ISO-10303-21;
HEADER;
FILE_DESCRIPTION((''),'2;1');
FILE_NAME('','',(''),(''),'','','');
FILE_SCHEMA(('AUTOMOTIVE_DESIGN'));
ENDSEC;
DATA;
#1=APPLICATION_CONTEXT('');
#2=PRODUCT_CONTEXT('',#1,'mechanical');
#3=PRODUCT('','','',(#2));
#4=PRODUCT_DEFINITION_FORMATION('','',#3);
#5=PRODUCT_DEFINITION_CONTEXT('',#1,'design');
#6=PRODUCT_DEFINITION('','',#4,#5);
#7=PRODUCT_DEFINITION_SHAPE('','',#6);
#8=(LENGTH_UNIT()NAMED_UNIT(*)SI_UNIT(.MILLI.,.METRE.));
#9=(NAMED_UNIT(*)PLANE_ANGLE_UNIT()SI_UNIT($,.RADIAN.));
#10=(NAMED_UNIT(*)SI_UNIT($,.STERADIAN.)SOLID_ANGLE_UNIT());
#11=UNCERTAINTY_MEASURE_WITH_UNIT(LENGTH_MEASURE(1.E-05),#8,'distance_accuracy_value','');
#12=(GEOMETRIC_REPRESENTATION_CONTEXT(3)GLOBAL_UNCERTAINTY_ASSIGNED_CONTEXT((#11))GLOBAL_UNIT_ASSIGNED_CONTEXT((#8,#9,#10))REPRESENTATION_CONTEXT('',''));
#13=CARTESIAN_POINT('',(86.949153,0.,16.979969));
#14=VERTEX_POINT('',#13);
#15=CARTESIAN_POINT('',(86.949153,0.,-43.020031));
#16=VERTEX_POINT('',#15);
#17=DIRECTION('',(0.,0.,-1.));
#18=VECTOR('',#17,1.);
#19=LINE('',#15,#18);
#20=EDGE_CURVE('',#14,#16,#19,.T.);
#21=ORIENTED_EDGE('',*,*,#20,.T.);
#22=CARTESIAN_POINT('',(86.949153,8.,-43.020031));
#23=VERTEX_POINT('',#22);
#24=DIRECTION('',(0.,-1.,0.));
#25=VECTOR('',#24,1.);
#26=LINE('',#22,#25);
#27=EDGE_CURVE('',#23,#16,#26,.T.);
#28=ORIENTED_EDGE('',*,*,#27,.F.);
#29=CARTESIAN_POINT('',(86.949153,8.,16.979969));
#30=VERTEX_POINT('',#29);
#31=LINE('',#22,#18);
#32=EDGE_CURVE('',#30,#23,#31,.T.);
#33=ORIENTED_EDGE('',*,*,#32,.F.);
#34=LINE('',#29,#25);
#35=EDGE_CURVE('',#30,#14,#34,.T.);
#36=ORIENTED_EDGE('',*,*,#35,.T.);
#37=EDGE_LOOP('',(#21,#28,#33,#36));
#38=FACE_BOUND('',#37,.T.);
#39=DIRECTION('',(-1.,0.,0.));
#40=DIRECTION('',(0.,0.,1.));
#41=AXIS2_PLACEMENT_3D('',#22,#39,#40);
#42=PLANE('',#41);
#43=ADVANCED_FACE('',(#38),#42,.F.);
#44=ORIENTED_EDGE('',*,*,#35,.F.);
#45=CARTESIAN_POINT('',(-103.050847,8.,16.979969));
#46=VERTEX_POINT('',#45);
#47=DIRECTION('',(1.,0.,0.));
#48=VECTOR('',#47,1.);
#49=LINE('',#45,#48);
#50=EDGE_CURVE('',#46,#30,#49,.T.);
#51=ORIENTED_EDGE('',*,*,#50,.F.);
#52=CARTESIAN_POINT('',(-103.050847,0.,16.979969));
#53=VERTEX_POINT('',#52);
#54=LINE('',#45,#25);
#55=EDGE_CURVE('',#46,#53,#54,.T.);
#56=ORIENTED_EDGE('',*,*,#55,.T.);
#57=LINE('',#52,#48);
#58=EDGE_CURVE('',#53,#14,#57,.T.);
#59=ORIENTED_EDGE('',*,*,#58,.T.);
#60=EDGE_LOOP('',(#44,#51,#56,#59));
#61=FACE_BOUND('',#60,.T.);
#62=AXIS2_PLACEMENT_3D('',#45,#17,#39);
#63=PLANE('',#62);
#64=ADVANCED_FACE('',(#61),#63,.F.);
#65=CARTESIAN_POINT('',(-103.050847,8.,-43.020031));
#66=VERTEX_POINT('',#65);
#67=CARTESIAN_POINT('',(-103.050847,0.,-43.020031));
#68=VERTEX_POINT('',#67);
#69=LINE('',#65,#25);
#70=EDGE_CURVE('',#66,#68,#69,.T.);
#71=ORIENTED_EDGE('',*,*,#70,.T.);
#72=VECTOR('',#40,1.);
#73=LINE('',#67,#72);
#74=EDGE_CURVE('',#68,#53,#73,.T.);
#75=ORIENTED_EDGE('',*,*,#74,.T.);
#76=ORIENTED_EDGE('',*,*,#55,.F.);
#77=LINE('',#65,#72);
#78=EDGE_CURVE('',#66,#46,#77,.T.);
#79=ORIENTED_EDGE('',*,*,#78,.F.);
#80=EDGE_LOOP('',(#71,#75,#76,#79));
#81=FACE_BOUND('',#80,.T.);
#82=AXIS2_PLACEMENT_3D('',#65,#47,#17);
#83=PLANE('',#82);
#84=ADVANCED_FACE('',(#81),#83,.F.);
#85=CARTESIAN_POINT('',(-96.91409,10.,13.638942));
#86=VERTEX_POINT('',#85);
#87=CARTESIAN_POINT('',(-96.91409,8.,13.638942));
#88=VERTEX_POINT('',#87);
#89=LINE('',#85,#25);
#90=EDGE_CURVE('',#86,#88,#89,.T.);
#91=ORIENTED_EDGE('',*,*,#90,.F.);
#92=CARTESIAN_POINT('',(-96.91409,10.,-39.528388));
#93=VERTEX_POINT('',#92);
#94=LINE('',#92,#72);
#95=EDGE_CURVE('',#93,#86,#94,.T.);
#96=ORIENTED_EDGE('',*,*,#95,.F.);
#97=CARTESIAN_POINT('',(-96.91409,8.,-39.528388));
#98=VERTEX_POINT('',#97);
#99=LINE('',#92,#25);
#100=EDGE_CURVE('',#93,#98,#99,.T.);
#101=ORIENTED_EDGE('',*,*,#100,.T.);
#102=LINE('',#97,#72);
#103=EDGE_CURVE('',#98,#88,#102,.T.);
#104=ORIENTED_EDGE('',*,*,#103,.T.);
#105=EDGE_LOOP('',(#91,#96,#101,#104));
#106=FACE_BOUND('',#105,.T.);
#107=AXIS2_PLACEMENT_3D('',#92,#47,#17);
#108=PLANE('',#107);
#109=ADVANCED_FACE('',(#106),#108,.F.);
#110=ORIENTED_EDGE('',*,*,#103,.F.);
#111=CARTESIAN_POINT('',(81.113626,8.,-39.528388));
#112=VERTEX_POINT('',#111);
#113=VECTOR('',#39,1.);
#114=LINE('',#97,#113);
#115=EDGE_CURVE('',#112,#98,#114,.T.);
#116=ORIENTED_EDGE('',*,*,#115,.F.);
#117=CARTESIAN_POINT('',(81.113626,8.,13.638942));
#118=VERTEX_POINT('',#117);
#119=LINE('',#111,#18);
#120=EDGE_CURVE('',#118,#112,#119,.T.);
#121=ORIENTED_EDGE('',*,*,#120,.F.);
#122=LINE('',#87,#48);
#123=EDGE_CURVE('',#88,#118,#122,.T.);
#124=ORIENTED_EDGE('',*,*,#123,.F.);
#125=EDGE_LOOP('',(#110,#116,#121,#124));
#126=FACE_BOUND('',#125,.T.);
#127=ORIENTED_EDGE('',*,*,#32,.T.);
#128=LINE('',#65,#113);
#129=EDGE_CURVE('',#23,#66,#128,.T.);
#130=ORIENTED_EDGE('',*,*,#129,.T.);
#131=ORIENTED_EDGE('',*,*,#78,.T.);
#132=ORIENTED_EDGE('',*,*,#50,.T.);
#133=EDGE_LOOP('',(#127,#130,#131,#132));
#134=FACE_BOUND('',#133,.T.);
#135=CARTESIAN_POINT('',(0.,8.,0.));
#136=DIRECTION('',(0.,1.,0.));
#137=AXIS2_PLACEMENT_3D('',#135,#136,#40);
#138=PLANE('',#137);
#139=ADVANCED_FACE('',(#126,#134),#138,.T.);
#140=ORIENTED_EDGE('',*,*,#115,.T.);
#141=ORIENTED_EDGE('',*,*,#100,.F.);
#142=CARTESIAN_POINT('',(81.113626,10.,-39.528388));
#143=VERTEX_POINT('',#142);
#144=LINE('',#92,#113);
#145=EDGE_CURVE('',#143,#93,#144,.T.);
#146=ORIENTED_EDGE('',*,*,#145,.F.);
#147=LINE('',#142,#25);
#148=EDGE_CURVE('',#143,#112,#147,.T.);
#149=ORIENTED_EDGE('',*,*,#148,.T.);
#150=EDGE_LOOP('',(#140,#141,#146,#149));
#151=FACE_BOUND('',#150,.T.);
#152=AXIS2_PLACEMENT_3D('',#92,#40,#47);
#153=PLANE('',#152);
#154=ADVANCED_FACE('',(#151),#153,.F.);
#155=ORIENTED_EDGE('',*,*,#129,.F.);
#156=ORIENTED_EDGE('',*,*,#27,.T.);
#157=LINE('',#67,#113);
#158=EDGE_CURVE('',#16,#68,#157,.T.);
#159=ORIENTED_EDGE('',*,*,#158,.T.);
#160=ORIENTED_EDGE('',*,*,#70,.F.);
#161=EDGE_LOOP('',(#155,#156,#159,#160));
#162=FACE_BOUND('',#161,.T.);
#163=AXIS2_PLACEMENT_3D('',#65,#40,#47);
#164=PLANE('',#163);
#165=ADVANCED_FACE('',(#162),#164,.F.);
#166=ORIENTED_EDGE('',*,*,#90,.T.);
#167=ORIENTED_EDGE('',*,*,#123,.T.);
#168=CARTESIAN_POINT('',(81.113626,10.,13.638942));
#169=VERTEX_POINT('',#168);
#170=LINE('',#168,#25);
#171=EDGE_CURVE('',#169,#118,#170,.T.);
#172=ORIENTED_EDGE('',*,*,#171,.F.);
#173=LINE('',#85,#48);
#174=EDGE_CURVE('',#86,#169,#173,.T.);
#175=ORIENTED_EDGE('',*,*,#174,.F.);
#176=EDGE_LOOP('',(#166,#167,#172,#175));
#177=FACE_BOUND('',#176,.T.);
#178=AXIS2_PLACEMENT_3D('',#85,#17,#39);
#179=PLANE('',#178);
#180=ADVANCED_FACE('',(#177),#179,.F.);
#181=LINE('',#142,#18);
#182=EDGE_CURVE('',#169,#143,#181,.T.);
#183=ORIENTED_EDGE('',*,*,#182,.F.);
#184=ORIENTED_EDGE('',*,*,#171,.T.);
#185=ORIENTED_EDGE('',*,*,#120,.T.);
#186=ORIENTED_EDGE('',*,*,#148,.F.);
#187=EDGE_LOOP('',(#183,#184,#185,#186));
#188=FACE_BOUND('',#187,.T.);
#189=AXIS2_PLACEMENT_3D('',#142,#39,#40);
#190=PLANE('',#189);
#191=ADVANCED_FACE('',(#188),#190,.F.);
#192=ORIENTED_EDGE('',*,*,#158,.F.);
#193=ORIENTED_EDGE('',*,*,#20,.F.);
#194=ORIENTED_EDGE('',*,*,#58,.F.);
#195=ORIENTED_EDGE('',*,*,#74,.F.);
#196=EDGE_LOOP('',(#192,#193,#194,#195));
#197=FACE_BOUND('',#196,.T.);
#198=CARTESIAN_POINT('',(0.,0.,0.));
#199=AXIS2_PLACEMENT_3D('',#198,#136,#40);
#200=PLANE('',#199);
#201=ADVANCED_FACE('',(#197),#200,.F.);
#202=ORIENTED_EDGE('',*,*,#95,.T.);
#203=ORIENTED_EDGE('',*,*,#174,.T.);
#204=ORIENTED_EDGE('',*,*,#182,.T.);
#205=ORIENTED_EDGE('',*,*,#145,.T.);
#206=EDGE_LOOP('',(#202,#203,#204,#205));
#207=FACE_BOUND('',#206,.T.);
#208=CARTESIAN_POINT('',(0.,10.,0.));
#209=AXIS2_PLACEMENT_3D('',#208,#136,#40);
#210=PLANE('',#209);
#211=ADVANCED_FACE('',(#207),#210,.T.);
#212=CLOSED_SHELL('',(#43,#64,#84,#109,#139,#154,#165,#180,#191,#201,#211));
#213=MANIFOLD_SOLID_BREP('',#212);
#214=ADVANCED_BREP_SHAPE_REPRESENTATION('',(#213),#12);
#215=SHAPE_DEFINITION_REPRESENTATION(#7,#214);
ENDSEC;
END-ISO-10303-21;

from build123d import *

# Parameters (mm, degrees)
SKETCH1_W           = 190
SKETCH1_H           = 60
BOSS_EXTRUDE1_DEPTH = 8
SKETCH2_W           = 178.027715847
SKETCH2_H           = 53.16732969
BOSS_EXTRUDE2_DEPTH = 2


with BuildPart() as part:
    # Sketch1 → Boss-Extrude1 (new body)
    with BuildSketch(Plane(origin=(0, 0, 0), x_dir=(1, 0, 0), z_dir=(0, 1, 0))):
        with Locations((-8.050847458, 13.020030817)):
            Rectangle(SKETCH1_W, SKETCH1_H)
    extrude(amount=BOSS_EXTRUDE1_DEPTH)

    # Sketch2 → Boss-Extrude2 (add)
    with BuildSketch(Plane(origin=(0, 8, 0), x_dir=(1, 0, 0), z_dir=(0, 1, 0))):
        with Locations((-7.900231793, 12.944722984)):
            Rectangle(SKETCH2_W, SKETCH2_H)
    extrude(amount=BOSS_EXTRUDE2_DEPTH)


solid = part.part
